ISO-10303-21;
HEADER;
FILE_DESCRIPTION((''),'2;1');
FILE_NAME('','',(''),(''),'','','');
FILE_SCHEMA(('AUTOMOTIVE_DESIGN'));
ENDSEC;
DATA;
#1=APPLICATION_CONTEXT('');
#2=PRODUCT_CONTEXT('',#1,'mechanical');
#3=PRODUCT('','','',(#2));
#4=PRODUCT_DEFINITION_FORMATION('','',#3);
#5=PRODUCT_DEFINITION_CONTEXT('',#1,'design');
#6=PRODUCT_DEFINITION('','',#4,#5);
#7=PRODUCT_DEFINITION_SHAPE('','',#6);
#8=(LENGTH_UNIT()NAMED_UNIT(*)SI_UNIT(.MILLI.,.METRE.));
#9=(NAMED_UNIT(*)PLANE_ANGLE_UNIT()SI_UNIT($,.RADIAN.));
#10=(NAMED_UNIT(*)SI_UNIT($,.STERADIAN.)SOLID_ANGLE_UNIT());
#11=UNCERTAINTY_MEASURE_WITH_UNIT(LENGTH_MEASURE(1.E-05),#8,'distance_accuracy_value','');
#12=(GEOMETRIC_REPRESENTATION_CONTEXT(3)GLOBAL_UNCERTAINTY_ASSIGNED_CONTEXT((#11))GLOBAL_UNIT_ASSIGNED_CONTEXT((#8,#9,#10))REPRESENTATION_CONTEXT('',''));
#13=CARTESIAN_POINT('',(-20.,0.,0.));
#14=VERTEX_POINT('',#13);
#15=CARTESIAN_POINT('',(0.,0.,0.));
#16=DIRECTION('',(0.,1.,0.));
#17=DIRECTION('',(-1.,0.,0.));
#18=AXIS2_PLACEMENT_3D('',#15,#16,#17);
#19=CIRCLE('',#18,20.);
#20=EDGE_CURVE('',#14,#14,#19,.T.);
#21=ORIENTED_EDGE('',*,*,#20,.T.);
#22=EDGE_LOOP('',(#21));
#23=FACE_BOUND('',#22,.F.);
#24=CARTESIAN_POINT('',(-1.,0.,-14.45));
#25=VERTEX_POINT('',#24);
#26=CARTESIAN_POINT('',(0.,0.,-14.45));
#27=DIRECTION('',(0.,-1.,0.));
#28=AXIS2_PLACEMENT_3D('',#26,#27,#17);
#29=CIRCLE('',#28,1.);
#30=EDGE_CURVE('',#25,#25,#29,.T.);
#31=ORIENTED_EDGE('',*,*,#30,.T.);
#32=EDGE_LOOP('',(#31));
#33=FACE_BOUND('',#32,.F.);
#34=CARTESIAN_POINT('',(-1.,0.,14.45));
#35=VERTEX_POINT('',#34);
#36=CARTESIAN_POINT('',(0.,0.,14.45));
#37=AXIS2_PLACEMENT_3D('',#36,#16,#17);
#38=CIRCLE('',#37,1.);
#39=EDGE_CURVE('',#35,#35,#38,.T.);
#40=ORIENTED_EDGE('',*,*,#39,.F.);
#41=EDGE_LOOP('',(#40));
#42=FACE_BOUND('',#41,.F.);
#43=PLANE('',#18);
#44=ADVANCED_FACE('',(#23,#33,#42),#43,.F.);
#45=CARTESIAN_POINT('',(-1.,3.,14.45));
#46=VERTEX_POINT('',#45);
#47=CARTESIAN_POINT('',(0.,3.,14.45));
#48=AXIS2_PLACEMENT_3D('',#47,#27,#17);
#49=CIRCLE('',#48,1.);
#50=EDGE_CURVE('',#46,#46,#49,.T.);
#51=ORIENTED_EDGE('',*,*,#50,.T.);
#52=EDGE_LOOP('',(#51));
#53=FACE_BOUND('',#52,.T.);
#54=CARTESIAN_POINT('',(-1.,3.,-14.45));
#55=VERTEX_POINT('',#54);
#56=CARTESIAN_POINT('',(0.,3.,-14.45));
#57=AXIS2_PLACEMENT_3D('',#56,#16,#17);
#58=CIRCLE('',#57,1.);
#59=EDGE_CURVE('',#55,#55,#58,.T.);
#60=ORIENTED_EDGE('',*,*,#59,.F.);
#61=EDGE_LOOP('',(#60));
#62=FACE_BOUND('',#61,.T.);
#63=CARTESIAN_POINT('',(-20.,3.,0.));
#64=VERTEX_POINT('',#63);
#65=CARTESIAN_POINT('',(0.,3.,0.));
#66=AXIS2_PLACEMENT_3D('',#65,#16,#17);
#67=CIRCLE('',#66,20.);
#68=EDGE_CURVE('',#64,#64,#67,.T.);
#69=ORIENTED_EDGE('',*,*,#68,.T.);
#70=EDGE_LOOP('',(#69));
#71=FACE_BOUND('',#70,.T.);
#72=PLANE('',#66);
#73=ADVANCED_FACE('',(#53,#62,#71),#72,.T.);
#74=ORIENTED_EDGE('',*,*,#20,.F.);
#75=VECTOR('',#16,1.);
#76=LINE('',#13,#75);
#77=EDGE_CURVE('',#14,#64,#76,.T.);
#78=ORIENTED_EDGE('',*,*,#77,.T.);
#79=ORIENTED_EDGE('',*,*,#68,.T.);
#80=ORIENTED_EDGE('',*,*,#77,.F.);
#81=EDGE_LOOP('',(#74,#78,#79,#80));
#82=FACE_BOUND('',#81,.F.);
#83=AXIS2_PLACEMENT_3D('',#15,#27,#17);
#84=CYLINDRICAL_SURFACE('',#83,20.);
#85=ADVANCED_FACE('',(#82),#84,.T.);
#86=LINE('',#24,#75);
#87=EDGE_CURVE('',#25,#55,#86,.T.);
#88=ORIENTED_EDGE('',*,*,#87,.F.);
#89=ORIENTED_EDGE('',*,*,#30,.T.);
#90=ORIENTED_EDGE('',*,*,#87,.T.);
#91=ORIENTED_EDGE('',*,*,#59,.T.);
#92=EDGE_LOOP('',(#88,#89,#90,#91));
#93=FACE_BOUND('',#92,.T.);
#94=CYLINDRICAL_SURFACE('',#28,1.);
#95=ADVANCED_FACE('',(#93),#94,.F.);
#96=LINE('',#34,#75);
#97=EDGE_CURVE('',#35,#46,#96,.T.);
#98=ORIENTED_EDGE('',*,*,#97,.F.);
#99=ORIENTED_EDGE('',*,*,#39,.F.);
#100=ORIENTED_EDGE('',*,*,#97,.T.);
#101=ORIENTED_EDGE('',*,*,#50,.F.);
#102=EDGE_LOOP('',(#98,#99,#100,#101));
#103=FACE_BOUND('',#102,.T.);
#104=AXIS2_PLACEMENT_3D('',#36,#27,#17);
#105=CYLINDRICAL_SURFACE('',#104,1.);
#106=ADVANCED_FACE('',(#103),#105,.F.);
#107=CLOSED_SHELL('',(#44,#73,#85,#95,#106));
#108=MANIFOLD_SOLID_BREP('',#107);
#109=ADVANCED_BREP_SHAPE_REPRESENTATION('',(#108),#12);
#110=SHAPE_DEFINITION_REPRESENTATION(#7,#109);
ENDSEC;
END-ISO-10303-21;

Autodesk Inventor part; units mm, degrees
ref_plane "YZ Plane" through (0, 0, 0) normal (1, 0, 0) x (0, 1, 0)
ref_plane "XZ Plane" through (0, 0, 0) normal (0, 1, 0) x (-1, 0, 0)
ref_plane "XY Plane" through (0, 0, 0) normal (0, 0, 1) x (1, 0, 0)
sketch "Sketch1" plane through (0, 0, 0) normal (0, 1, 0) x (-1, 0, 0)
  circle A0 centre (0, 0) radius 16.05
  circle A1 centre (0, 0) radius 20
  line L0 (0, 16.05) -> (0, 14.5865)
  line L1 (0, 16.05) -> (0, 14.45)
  line L2 (0, 14.45) -> (0, -14.45)
  line L3 (0, -14.45) -> (0, -16.05)
  circle A2 centre (0, 14.45) radius 1
  circle A3 centre (0, -14.45) radius 1
  dimension "d0" = 32.1
  dimension "d1" = 40
  dimension "d2" = 1.6
  dimension "d3" = 28.9
  dimension "d4" = 2
  dimension "d5" = 2
extrude "Extrusion1" add sketch "Sketch1" along normal blind 3 contours A0 L3 A3 L2 A2 L0 | L0 A2 L2 A3 L3 A0 | A1
properties part number "gearwheel_big"
